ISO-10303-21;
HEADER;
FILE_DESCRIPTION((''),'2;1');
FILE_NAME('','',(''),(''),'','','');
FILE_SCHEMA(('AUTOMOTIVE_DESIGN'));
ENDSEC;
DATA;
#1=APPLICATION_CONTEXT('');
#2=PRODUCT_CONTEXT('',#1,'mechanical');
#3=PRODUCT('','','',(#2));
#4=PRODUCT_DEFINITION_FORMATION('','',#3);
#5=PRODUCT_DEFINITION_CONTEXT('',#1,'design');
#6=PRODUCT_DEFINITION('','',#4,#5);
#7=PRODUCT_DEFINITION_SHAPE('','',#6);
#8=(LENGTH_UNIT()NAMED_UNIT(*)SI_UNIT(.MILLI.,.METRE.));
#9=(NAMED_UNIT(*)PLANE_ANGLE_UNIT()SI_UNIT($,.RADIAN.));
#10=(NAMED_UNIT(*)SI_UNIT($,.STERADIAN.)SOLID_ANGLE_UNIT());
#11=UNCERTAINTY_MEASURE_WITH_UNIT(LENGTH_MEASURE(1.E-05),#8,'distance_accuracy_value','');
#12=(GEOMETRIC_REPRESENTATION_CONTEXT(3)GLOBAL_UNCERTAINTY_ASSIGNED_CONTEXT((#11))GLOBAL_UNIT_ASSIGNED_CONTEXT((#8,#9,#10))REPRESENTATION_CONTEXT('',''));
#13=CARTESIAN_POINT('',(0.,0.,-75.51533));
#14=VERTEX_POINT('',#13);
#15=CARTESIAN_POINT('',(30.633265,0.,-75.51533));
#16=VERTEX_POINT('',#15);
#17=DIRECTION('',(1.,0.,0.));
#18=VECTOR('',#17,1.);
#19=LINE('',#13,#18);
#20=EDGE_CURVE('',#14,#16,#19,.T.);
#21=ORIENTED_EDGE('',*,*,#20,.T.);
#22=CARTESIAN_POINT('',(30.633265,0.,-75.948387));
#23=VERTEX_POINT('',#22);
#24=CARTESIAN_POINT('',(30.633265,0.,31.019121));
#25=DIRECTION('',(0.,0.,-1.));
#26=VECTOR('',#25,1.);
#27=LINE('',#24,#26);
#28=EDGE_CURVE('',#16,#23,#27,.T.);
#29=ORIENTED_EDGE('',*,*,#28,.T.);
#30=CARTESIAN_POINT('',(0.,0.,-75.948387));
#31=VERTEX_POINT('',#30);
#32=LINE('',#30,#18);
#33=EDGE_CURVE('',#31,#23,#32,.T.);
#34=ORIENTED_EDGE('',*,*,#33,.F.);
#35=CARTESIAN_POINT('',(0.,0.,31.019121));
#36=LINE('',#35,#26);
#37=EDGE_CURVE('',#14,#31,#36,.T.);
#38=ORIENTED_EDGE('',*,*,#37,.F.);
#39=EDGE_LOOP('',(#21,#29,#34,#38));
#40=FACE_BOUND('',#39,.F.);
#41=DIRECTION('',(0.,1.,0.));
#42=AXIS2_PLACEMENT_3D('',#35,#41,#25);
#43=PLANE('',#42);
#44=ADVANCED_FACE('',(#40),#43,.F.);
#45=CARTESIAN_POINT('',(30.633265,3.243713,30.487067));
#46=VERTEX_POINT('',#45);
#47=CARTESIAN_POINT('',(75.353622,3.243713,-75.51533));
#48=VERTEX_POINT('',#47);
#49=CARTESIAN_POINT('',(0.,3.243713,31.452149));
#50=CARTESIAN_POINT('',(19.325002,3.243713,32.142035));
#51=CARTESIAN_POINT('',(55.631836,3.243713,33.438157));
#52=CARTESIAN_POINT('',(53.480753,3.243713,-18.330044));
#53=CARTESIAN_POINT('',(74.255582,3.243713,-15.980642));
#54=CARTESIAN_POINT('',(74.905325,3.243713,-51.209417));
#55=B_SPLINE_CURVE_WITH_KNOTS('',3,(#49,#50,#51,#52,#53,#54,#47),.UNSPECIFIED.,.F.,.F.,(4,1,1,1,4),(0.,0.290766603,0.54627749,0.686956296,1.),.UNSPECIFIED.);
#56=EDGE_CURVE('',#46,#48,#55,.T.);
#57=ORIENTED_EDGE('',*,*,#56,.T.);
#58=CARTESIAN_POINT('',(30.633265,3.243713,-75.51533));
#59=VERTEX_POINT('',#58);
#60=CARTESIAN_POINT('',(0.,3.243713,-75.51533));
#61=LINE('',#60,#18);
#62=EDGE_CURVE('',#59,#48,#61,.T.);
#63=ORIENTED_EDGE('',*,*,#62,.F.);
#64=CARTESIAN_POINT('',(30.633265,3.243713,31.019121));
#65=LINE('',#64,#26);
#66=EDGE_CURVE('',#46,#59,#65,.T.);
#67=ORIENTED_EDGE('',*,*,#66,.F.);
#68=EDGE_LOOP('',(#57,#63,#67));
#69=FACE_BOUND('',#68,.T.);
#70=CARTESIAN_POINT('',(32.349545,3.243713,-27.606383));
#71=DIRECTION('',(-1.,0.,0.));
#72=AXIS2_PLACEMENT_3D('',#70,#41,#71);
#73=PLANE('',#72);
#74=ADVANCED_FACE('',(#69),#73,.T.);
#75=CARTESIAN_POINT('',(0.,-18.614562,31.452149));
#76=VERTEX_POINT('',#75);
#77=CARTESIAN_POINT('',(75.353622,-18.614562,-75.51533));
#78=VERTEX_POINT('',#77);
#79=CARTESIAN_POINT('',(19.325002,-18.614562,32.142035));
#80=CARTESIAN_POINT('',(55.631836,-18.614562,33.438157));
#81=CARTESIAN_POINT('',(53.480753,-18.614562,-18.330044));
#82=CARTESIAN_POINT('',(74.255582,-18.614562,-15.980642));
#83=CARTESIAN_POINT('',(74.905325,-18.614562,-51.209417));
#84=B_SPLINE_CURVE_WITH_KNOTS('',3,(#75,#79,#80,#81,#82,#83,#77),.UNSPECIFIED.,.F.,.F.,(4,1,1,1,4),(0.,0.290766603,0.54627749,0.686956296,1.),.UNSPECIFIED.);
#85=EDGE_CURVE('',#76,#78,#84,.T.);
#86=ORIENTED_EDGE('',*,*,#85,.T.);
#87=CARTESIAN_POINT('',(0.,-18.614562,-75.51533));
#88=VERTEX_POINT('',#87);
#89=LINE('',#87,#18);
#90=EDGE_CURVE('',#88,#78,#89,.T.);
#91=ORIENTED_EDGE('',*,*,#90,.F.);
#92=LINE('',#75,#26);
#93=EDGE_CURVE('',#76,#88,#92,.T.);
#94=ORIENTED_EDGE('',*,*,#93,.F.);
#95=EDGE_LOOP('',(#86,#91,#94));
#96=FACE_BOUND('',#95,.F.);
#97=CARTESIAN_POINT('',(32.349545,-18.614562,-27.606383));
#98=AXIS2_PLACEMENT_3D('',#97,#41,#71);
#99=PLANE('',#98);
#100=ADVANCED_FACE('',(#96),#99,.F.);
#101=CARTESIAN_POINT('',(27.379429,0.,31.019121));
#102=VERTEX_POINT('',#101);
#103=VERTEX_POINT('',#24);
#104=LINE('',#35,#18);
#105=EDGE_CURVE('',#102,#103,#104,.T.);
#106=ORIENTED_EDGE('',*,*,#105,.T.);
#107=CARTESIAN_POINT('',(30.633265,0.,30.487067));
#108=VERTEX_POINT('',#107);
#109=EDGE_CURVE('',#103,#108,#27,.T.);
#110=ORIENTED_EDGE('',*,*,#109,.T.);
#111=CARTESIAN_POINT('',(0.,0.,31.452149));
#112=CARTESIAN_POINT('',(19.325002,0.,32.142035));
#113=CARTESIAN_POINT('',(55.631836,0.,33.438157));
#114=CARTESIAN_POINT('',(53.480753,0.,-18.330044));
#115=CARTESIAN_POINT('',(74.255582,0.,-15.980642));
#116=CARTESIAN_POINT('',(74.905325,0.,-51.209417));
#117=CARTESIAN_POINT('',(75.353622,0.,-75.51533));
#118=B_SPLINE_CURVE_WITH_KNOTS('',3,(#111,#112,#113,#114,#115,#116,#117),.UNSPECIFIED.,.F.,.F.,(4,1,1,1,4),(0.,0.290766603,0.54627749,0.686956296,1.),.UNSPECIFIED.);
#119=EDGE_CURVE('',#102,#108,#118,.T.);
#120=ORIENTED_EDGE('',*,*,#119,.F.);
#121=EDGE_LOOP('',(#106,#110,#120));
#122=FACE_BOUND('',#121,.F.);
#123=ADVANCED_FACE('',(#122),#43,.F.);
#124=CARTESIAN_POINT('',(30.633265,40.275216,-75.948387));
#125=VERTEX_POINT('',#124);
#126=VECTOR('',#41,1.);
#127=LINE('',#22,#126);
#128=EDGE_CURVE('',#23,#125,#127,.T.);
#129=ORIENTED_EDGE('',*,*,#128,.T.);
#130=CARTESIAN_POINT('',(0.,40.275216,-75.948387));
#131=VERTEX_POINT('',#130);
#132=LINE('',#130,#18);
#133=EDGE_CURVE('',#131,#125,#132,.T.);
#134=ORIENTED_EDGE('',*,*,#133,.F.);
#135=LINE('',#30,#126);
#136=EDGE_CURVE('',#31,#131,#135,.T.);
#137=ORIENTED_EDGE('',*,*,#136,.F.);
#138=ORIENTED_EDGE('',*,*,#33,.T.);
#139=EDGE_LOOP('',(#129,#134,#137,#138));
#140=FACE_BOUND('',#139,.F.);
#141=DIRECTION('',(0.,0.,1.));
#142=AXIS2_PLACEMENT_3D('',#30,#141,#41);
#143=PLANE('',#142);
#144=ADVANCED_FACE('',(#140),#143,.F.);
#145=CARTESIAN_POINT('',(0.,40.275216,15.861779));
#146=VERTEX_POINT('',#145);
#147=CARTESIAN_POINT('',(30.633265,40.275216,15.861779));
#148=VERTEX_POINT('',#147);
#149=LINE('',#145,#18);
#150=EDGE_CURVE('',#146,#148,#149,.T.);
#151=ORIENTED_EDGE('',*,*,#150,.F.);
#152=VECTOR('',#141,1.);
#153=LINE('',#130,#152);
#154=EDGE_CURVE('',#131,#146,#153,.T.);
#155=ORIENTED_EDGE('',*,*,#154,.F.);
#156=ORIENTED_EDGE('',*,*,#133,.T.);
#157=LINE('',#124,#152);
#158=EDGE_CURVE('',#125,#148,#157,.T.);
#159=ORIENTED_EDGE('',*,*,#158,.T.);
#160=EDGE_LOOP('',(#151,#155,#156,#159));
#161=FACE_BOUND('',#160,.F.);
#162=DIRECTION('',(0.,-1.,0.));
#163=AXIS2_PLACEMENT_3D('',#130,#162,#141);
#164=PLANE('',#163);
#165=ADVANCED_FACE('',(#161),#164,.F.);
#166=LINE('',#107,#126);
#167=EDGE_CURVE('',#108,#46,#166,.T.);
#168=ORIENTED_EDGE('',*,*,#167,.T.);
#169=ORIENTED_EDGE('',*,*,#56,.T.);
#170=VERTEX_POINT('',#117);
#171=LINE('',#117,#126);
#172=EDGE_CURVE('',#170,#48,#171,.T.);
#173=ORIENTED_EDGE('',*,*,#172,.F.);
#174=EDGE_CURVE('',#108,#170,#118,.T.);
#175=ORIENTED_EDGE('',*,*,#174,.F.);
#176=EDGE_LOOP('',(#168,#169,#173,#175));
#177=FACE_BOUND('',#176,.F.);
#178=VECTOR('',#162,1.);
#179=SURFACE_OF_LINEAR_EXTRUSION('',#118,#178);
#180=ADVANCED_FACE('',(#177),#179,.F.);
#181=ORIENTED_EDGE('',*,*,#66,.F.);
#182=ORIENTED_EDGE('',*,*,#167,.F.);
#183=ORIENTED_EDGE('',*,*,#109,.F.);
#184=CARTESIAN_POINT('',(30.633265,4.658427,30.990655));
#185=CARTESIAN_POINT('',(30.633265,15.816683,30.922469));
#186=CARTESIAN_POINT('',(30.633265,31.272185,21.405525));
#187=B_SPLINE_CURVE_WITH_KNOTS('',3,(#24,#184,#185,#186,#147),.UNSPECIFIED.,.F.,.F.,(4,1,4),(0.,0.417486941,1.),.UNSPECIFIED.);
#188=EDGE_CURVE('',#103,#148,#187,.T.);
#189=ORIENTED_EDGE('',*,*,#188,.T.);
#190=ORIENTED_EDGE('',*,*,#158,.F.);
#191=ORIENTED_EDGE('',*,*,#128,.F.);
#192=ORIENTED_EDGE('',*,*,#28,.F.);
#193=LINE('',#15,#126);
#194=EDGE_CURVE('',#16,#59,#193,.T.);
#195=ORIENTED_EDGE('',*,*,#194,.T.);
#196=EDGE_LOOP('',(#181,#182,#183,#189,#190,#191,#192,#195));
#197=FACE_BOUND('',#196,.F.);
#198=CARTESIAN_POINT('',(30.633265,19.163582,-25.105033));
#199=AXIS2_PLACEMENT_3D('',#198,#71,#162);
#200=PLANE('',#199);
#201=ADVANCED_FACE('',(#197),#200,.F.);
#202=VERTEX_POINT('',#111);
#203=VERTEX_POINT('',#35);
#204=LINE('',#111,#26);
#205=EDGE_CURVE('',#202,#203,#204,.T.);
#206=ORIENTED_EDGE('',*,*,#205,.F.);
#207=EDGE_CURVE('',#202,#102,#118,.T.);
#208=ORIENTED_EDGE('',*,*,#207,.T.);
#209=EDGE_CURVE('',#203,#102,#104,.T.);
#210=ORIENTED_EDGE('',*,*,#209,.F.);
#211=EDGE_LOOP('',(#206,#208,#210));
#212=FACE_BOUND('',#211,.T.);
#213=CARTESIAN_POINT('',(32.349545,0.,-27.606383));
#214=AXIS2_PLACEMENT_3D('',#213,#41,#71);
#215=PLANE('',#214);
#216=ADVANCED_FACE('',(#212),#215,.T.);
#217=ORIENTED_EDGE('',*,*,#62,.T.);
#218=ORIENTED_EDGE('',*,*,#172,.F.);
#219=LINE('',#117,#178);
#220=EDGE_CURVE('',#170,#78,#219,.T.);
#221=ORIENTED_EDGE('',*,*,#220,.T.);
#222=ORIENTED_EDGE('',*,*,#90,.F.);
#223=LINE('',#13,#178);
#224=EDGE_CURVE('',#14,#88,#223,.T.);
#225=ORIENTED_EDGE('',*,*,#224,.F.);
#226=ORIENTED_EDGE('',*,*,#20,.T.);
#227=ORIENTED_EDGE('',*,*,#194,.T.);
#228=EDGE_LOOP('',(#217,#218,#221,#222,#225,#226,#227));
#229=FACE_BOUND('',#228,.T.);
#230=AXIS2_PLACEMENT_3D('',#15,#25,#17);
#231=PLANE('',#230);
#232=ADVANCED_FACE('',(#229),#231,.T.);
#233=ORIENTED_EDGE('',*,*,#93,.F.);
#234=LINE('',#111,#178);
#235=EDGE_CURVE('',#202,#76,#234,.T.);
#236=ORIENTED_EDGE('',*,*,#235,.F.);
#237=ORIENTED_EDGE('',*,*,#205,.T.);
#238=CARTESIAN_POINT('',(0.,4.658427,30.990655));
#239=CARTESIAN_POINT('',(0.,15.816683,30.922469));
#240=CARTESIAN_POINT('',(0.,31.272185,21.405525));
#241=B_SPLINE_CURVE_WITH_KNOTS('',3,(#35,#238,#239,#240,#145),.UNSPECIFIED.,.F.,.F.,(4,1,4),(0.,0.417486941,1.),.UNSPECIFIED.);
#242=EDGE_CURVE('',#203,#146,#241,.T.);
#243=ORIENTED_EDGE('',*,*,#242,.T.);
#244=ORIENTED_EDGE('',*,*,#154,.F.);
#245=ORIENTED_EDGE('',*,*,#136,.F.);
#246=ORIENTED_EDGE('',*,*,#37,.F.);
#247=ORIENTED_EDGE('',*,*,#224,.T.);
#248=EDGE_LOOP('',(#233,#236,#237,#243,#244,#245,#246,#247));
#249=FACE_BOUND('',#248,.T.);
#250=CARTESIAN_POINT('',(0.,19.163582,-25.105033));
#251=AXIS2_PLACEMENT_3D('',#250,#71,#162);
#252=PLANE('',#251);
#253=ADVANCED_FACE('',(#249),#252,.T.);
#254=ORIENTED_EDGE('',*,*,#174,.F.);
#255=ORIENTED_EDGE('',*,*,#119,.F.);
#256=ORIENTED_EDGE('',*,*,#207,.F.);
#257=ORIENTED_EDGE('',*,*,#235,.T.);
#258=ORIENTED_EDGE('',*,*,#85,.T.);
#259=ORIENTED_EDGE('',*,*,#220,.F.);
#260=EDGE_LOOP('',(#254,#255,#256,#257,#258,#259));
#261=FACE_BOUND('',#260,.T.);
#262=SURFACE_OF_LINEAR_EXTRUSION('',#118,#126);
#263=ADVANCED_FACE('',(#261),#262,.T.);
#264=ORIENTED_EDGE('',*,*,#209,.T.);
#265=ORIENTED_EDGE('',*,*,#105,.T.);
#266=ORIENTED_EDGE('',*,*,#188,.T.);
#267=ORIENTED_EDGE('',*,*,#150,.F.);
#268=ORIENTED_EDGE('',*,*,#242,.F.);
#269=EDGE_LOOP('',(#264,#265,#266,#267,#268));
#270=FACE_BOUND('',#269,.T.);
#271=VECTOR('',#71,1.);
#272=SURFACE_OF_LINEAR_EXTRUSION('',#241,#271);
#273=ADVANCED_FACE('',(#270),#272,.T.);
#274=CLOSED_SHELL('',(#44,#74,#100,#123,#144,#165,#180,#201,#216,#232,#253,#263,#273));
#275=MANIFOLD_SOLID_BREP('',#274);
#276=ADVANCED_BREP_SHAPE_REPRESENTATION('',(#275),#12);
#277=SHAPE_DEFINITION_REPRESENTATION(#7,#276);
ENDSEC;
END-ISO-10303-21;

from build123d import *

# Parameters (mm, degrees)
F1_DEPTH = 18.6145622283
F3_DEPTH = 30.6332651526
F4_DEPTH = 3.2437127084


with BuildPart() as f1:
    # F0 (on Front) → F1 (new body)
    with BuildSketch(Plane.XZ):
        with BuildLine():
            add(Edge.make_bspline(
                [(0, 31.4521491528), (19.3250022149, 32.1420349874), (55.63183594, 33.4381572148), (53.4807526814, -18.3300440163), (74.2555818679, -15.9806421094), (74.9053246961, -51.2094172374), (75.3536224365, -75.5153298378)],
                knots=[0, 0, 0, 0, 0.2907666026, 0.5462774898, 0.6869562964, 1, 1, 1, 1], degree=3))
            Line((0, 31.4521491528), (0, -75.5153298378))
            Line((0, -75.5153298378), (75.3536224365, -75.5153298378))
        make_face()
    extrude(amount=F1_DEPTH)

    # F2 (on Right) → F3 (join)
    with BuildSketch(Plane.YZ):
        with BuildLine():
            add(Edge.make_bspline(
                [(0, 31.0191214085), (4.6584274068, 30.9906545137), (15.8166830326, 30.9224686442), (31.2721852153, 21.4055246166), (40.2752161026, 15.8617794514)],
                knots=[0, 0, 0, 0, 0.4174869414, 1, 1, 1, 1], degree=3))
            Line((0, 31.0191214085), (0, -75.9483873844))
            Line((0, -75.9483873844), (40.2752161026, -75.9483873844))
            Line((40.2752161026, -75.9483873844), (40.2752161026, 15.8617794514))
        make_face()
    extrude(amount=F3_DEPTH)

    # F4 (add): a face of the model
    f4_faces = [f1.faces().sort_by_distance(p)[0] for p in [
        (49.1816157145, 0, -32.8121359499),
    ]]
    extrude(f4_faces, amount=F4_DEPTH)


solid = f1.part
